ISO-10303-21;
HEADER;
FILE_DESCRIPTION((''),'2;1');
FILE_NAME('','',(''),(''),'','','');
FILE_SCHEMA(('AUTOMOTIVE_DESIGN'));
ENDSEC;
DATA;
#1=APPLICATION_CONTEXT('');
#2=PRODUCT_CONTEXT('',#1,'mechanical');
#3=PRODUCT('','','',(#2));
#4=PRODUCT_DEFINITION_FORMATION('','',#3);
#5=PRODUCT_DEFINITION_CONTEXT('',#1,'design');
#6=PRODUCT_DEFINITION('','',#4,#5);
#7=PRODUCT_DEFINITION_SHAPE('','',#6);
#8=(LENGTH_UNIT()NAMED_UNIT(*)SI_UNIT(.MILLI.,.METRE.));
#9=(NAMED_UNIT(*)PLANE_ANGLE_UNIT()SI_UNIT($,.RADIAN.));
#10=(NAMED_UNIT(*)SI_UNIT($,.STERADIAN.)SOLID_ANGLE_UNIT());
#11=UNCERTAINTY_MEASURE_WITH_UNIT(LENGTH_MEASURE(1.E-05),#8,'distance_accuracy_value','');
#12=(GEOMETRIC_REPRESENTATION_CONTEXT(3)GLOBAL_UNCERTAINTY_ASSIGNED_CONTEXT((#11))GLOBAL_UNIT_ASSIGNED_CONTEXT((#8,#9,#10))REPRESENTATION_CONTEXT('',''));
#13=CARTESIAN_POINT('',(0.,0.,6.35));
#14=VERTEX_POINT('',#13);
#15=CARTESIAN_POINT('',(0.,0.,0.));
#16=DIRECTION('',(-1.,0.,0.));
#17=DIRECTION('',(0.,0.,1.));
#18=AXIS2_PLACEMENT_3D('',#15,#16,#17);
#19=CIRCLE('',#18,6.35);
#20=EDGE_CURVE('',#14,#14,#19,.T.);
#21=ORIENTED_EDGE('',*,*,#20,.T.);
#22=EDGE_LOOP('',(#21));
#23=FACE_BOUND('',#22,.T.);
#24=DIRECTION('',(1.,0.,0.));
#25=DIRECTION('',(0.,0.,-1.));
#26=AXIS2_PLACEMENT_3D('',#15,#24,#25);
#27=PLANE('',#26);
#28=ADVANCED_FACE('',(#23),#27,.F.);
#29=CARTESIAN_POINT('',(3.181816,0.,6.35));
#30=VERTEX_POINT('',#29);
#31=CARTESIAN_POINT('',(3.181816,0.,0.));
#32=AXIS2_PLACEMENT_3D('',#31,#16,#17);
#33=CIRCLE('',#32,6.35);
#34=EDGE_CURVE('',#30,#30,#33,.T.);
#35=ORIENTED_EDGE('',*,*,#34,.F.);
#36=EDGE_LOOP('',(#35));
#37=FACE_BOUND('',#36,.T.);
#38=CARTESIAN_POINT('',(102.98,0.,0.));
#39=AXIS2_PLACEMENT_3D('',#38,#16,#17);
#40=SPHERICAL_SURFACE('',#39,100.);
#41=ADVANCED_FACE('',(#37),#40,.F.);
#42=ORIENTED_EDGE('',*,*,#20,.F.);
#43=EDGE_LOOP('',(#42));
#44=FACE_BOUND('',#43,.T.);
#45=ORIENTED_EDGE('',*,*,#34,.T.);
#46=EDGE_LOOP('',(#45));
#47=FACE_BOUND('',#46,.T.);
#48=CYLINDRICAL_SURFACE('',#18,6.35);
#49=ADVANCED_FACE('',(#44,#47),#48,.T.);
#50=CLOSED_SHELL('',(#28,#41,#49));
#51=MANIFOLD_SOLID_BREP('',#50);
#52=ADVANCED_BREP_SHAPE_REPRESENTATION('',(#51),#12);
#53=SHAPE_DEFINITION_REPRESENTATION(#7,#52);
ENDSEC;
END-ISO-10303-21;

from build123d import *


with BuildPart() as part:
    # 草图1 → 旋转1 (revolve)
    with BuildSketch(Plane(origin=(0, 0, 0), x_dir=(1, 0, 0), z_dir=(0, 1, 0)), mode=Mode.PRIVATE) as revolve_1_sk:
        with BuildLine():
            Line((0, 0), (2.98, 0))
            ThreePointArc((2.98, 0), (3.030466772, 3.176603129), (3.181816149, 6.35))
            Line((3.181816149, 6.35), (0, 6.35))
            Line((0, 6.35), (0, 0))
        make_face()
    revolve(revolve_1_sk.sketch.rotate(Axis((0, 0, 0), (1, 0, 0)), 180), axis=Axis((0, 0, 0), (1, 0, 0)))  # turned: the seam where the file's is


solid = part.part
